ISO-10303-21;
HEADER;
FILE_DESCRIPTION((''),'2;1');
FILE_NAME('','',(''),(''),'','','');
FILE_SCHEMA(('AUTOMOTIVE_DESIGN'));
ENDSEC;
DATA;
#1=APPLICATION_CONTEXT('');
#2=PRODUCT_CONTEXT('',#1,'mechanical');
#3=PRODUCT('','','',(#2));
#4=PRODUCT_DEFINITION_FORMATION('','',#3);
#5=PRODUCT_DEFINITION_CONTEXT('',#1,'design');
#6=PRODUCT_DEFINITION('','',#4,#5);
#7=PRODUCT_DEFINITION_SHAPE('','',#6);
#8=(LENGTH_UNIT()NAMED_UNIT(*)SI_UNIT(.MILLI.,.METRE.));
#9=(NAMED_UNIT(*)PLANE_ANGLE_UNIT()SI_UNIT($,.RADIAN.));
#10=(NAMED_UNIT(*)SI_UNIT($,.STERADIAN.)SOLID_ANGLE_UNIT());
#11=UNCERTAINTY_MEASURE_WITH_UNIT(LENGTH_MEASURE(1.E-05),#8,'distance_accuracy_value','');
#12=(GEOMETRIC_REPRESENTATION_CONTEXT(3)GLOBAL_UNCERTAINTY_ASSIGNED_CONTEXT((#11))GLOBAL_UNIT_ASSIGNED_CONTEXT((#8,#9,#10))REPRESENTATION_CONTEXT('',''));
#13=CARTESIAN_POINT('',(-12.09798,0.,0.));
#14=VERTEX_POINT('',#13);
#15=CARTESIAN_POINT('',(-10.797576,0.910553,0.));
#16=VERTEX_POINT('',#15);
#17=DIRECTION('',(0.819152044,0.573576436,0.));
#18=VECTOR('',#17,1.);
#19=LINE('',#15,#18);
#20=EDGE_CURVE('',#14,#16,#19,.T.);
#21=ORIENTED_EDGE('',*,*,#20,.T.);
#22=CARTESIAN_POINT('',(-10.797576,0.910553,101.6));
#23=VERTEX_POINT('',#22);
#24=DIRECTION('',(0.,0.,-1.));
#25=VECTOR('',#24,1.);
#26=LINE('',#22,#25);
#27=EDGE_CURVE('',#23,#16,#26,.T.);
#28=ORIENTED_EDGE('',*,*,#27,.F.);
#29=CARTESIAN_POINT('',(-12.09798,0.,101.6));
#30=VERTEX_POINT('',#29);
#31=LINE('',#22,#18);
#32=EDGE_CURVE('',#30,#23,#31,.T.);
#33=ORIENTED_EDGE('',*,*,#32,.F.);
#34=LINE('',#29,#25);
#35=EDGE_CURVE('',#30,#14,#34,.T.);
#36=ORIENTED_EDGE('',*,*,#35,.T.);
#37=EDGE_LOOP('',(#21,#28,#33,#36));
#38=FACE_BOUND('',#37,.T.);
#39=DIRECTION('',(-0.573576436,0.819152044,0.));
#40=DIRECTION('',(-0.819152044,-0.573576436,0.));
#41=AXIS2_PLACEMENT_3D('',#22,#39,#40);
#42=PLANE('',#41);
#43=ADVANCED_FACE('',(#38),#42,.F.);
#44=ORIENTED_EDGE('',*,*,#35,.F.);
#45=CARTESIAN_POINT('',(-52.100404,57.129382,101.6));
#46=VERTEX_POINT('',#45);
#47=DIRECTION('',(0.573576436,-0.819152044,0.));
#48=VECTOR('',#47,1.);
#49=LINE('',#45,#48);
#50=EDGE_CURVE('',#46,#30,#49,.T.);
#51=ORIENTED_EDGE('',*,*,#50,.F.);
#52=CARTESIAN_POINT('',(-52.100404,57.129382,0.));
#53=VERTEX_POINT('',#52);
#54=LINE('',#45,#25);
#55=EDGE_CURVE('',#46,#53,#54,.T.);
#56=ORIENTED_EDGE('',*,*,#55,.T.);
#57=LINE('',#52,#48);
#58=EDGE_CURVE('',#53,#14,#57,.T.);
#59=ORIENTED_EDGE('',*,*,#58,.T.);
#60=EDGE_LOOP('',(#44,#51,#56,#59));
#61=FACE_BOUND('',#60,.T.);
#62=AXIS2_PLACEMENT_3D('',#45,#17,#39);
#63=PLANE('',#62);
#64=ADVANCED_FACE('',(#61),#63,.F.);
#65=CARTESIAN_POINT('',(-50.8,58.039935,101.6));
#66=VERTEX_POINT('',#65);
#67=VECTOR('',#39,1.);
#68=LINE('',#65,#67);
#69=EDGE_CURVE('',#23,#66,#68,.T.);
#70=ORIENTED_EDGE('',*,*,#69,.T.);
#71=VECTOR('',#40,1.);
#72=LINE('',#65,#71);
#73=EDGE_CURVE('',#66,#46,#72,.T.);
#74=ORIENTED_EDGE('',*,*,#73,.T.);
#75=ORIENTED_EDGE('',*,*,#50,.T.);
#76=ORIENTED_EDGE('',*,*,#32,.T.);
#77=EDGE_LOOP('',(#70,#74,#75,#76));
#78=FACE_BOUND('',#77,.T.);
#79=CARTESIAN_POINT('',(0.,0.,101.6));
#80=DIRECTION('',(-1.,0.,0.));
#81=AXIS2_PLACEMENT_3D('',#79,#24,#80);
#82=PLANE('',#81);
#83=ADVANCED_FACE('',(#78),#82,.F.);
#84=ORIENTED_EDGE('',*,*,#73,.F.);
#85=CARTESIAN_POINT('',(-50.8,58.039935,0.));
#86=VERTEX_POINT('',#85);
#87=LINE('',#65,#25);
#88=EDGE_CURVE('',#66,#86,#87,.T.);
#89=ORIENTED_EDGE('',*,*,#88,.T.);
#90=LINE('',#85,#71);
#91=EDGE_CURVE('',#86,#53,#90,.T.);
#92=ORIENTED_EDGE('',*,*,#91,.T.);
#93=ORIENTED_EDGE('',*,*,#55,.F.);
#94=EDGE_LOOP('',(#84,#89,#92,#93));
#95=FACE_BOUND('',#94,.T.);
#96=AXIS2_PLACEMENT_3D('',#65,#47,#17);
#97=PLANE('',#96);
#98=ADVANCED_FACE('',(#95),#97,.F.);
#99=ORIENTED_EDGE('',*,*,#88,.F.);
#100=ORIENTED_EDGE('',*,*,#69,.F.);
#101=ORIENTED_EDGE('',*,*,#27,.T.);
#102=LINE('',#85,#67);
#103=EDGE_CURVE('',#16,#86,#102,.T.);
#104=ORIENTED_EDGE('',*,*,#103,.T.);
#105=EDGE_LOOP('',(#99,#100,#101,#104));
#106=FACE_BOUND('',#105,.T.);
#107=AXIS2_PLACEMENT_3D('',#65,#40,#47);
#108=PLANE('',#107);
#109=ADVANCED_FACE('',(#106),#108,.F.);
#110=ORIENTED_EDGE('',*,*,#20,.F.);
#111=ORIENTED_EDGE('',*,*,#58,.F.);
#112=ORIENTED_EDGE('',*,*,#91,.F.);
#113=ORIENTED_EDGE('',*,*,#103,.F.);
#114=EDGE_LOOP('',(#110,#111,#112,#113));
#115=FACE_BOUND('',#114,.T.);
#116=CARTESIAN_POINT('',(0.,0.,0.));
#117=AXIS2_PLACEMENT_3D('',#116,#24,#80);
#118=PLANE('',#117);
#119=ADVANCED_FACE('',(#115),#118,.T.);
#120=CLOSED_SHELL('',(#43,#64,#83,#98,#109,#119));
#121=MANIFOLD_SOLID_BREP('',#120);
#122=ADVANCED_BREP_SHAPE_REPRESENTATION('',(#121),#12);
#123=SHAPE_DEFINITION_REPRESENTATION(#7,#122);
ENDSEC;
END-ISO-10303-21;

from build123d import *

# Parameters (mm, degrees)
BOSS_EXTRUDE1_DEPTH = 101.6


with BuildPart() as part:
    # Sketch1 → Boss-Extrude1 (new body)
    with BuildSketch(Plane.XY):
        Polygon((-10.797575789, 0.910552593), (-12.09797966, 0), (-52.10040387, 57.129382401), (-50.8, 58.039934994), align=None)
    extrude(amount=BOSS_EXTRUDE1_DEPTH)


solid = part.part
